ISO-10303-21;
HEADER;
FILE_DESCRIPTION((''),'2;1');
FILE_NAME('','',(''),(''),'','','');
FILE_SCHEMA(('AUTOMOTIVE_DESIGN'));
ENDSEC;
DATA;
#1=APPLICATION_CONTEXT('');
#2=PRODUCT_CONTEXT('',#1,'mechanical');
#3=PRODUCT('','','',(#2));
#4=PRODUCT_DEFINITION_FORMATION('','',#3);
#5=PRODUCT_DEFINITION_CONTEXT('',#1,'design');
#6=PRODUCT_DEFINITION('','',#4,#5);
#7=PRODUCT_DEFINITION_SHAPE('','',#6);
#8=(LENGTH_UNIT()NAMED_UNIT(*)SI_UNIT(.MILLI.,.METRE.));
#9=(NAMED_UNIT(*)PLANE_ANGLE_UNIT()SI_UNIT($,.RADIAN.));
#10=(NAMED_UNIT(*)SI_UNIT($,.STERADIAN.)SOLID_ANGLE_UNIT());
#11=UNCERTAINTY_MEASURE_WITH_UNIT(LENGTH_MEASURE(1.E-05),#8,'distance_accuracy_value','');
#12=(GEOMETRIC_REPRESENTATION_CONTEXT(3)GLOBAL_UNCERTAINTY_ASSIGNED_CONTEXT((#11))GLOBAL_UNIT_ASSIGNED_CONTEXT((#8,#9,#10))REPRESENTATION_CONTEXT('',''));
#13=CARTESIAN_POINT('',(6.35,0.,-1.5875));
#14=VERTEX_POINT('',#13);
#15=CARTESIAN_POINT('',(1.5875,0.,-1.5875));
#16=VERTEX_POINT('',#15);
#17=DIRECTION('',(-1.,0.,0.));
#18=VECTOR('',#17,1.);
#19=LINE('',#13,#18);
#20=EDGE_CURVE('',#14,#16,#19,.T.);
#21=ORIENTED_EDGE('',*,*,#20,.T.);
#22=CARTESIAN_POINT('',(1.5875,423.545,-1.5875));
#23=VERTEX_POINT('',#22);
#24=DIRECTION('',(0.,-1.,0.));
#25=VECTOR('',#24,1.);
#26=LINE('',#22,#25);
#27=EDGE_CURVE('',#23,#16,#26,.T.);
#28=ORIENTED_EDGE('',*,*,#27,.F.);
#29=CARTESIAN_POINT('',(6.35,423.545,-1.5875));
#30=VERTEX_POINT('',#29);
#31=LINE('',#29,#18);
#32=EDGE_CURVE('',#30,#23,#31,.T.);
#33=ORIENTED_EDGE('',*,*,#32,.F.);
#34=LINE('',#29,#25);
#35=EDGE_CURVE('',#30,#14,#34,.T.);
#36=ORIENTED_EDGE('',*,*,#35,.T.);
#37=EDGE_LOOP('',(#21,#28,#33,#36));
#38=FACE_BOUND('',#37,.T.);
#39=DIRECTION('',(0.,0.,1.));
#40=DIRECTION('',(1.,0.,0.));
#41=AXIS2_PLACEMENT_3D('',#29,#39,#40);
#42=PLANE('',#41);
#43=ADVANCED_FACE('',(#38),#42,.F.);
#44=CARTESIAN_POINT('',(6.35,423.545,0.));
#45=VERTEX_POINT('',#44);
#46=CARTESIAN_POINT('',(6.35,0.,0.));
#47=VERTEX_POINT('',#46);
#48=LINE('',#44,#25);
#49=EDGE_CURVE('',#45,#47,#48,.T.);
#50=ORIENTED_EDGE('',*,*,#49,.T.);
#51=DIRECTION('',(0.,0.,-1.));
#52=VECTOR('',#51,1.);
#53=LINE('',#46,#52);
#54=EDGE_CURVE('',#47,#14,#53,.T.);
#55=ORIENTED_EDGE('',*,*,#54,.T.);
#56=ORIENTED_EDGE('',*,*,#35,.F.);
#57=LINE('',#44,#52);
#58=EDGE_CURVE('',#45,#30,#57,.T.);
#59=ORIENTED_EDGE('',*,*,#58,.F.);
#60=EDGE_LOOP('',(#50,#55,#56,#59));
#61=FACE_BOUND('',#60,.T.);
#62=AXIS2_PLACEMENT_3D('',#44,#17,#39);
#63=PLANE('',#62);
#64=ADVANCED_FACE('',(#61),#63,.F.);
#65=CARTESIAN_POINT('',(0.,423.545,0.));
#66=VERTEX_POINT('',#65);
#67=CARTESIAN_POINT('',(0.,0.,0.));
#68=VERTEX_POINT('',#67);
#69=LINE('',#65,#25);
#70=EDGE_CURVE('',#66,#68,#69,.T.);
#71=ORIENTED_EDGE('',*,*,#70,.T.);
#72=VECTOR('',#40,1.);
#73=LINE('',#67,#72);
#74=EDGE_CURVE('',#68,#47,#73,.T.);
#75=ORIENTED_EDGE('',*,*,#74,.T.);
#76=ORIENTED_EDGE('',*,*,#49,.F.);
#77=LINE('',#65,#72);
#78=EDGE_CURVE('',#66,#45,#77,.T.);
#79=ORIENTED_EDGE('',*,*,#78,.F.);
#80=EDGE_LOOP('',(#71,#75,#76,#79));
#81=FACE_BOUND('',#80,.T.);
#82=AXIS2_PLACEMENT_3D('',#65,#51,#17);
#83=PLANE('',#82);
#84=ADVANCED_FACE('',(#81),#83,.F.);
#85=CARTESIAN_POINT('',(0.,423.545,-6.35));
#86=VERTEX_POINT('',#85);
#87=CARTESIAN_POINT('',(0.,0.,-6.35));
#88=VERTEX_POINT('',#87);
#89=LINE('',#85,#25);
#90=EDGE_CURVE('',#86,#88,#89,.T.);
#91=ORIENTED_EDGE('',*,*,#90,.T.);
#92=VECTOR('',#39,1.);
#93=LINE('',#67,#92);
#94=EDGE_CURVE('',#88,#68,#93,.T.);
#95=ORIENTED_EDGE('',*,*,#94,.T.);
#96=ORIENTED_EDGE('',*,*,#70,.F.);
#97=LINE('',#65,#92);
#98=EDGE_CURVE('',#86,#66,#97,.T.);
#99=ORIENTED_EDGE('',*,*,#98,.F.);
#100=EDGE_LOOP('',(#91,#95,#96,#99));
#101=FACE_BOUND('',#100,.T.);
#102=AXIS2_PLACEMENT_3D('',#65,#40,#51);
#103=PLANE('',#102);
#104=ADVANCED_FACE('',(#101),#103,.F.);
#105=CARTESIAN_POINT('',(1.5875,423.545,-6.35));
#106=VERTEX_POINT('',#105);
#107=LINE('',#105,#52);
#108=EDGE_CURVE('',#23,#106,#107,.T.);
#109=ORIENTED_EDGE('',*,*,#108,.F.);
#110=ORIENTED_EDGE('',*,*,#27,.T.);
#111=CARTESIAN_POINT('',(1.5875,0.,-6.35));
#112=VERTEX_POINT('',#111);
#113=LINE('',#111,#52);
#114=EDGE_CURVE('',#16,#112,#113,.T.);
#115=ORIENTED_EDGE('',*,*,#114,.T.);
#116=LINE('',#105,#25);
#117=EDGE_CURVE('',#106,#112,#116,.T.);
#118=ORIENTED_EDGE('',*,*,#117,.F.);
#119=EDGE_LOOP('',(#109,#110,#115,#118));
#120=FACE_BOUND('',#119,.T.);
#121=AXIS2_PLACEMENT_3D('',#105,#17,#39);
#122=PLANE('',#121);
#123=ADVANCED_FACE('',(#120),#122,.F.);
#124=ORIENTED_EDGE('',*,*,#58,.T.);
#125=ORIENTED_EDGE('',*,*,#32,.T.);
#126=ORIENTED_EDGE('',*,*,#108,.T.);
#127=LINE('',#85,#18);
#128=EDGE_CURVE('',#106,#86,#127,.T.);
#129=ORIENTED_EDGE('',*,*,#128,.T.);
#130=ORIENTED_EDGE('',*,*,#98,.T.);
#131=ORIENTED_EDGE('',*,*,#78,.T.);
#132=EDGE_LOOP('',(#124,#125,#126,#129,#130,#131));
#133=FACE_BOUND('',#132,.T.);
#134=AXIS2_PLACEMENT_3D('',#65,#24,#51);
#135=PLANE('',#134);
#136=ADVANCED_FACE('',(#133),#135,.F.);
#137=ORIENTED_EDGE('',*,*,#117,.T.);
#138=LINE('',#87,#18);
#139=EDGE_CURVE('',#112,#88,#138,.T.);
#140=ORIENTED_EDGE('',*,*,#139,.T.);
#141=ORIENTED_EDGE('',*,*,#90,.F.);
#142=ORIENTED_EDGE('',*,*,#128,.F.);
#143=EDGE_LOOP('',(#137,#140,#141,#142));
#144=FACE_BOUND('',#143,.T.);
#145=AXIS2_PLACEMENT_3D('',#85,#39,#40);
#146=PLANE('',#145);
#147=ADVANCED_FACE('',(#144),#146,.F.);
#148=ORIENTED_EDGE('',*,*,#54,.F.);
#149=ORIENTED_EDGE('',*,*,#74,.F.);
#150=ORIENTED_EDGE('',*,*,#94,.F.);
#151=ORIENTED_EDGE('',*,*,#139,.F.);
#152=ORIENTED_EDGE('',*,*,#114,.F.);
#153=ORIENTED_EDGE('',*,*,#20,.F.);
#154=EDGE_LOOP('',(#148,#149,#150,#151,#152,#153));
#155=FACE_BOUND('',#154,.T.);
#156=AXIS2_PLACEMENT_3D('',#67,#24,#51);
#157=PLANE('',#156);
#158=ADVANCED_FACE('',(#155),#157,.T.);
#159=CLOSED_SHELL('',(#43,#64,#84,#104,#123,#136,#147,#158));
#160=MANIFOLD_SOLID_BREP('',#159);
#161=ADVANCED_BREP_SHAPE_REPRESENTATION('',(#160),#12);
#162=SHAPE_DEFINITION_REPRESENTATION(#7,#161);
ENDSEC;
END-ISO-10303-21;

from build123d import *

# Parameters (mm, degrees)
BOSS_EXTRUDE1_DEPTH = 423.545


with BuildPart() as part:
    # Sketch1 → Boss-Extrude1 (new body)
    with BuildSketch(Plane(origin=(0, 0, 0), x_dir=(1, 0, 0), z_dir=(0, 1, 0))):
        Polygon((0, 0), (6.35, 0), (6.35, 1.5875), (1.5875, 1.5875), (1.5875, 6.35), (0, 6.35), align=None)
    extrude(amount=BOSS_EXTRUDE1_DEPTH)


solid = part.part
